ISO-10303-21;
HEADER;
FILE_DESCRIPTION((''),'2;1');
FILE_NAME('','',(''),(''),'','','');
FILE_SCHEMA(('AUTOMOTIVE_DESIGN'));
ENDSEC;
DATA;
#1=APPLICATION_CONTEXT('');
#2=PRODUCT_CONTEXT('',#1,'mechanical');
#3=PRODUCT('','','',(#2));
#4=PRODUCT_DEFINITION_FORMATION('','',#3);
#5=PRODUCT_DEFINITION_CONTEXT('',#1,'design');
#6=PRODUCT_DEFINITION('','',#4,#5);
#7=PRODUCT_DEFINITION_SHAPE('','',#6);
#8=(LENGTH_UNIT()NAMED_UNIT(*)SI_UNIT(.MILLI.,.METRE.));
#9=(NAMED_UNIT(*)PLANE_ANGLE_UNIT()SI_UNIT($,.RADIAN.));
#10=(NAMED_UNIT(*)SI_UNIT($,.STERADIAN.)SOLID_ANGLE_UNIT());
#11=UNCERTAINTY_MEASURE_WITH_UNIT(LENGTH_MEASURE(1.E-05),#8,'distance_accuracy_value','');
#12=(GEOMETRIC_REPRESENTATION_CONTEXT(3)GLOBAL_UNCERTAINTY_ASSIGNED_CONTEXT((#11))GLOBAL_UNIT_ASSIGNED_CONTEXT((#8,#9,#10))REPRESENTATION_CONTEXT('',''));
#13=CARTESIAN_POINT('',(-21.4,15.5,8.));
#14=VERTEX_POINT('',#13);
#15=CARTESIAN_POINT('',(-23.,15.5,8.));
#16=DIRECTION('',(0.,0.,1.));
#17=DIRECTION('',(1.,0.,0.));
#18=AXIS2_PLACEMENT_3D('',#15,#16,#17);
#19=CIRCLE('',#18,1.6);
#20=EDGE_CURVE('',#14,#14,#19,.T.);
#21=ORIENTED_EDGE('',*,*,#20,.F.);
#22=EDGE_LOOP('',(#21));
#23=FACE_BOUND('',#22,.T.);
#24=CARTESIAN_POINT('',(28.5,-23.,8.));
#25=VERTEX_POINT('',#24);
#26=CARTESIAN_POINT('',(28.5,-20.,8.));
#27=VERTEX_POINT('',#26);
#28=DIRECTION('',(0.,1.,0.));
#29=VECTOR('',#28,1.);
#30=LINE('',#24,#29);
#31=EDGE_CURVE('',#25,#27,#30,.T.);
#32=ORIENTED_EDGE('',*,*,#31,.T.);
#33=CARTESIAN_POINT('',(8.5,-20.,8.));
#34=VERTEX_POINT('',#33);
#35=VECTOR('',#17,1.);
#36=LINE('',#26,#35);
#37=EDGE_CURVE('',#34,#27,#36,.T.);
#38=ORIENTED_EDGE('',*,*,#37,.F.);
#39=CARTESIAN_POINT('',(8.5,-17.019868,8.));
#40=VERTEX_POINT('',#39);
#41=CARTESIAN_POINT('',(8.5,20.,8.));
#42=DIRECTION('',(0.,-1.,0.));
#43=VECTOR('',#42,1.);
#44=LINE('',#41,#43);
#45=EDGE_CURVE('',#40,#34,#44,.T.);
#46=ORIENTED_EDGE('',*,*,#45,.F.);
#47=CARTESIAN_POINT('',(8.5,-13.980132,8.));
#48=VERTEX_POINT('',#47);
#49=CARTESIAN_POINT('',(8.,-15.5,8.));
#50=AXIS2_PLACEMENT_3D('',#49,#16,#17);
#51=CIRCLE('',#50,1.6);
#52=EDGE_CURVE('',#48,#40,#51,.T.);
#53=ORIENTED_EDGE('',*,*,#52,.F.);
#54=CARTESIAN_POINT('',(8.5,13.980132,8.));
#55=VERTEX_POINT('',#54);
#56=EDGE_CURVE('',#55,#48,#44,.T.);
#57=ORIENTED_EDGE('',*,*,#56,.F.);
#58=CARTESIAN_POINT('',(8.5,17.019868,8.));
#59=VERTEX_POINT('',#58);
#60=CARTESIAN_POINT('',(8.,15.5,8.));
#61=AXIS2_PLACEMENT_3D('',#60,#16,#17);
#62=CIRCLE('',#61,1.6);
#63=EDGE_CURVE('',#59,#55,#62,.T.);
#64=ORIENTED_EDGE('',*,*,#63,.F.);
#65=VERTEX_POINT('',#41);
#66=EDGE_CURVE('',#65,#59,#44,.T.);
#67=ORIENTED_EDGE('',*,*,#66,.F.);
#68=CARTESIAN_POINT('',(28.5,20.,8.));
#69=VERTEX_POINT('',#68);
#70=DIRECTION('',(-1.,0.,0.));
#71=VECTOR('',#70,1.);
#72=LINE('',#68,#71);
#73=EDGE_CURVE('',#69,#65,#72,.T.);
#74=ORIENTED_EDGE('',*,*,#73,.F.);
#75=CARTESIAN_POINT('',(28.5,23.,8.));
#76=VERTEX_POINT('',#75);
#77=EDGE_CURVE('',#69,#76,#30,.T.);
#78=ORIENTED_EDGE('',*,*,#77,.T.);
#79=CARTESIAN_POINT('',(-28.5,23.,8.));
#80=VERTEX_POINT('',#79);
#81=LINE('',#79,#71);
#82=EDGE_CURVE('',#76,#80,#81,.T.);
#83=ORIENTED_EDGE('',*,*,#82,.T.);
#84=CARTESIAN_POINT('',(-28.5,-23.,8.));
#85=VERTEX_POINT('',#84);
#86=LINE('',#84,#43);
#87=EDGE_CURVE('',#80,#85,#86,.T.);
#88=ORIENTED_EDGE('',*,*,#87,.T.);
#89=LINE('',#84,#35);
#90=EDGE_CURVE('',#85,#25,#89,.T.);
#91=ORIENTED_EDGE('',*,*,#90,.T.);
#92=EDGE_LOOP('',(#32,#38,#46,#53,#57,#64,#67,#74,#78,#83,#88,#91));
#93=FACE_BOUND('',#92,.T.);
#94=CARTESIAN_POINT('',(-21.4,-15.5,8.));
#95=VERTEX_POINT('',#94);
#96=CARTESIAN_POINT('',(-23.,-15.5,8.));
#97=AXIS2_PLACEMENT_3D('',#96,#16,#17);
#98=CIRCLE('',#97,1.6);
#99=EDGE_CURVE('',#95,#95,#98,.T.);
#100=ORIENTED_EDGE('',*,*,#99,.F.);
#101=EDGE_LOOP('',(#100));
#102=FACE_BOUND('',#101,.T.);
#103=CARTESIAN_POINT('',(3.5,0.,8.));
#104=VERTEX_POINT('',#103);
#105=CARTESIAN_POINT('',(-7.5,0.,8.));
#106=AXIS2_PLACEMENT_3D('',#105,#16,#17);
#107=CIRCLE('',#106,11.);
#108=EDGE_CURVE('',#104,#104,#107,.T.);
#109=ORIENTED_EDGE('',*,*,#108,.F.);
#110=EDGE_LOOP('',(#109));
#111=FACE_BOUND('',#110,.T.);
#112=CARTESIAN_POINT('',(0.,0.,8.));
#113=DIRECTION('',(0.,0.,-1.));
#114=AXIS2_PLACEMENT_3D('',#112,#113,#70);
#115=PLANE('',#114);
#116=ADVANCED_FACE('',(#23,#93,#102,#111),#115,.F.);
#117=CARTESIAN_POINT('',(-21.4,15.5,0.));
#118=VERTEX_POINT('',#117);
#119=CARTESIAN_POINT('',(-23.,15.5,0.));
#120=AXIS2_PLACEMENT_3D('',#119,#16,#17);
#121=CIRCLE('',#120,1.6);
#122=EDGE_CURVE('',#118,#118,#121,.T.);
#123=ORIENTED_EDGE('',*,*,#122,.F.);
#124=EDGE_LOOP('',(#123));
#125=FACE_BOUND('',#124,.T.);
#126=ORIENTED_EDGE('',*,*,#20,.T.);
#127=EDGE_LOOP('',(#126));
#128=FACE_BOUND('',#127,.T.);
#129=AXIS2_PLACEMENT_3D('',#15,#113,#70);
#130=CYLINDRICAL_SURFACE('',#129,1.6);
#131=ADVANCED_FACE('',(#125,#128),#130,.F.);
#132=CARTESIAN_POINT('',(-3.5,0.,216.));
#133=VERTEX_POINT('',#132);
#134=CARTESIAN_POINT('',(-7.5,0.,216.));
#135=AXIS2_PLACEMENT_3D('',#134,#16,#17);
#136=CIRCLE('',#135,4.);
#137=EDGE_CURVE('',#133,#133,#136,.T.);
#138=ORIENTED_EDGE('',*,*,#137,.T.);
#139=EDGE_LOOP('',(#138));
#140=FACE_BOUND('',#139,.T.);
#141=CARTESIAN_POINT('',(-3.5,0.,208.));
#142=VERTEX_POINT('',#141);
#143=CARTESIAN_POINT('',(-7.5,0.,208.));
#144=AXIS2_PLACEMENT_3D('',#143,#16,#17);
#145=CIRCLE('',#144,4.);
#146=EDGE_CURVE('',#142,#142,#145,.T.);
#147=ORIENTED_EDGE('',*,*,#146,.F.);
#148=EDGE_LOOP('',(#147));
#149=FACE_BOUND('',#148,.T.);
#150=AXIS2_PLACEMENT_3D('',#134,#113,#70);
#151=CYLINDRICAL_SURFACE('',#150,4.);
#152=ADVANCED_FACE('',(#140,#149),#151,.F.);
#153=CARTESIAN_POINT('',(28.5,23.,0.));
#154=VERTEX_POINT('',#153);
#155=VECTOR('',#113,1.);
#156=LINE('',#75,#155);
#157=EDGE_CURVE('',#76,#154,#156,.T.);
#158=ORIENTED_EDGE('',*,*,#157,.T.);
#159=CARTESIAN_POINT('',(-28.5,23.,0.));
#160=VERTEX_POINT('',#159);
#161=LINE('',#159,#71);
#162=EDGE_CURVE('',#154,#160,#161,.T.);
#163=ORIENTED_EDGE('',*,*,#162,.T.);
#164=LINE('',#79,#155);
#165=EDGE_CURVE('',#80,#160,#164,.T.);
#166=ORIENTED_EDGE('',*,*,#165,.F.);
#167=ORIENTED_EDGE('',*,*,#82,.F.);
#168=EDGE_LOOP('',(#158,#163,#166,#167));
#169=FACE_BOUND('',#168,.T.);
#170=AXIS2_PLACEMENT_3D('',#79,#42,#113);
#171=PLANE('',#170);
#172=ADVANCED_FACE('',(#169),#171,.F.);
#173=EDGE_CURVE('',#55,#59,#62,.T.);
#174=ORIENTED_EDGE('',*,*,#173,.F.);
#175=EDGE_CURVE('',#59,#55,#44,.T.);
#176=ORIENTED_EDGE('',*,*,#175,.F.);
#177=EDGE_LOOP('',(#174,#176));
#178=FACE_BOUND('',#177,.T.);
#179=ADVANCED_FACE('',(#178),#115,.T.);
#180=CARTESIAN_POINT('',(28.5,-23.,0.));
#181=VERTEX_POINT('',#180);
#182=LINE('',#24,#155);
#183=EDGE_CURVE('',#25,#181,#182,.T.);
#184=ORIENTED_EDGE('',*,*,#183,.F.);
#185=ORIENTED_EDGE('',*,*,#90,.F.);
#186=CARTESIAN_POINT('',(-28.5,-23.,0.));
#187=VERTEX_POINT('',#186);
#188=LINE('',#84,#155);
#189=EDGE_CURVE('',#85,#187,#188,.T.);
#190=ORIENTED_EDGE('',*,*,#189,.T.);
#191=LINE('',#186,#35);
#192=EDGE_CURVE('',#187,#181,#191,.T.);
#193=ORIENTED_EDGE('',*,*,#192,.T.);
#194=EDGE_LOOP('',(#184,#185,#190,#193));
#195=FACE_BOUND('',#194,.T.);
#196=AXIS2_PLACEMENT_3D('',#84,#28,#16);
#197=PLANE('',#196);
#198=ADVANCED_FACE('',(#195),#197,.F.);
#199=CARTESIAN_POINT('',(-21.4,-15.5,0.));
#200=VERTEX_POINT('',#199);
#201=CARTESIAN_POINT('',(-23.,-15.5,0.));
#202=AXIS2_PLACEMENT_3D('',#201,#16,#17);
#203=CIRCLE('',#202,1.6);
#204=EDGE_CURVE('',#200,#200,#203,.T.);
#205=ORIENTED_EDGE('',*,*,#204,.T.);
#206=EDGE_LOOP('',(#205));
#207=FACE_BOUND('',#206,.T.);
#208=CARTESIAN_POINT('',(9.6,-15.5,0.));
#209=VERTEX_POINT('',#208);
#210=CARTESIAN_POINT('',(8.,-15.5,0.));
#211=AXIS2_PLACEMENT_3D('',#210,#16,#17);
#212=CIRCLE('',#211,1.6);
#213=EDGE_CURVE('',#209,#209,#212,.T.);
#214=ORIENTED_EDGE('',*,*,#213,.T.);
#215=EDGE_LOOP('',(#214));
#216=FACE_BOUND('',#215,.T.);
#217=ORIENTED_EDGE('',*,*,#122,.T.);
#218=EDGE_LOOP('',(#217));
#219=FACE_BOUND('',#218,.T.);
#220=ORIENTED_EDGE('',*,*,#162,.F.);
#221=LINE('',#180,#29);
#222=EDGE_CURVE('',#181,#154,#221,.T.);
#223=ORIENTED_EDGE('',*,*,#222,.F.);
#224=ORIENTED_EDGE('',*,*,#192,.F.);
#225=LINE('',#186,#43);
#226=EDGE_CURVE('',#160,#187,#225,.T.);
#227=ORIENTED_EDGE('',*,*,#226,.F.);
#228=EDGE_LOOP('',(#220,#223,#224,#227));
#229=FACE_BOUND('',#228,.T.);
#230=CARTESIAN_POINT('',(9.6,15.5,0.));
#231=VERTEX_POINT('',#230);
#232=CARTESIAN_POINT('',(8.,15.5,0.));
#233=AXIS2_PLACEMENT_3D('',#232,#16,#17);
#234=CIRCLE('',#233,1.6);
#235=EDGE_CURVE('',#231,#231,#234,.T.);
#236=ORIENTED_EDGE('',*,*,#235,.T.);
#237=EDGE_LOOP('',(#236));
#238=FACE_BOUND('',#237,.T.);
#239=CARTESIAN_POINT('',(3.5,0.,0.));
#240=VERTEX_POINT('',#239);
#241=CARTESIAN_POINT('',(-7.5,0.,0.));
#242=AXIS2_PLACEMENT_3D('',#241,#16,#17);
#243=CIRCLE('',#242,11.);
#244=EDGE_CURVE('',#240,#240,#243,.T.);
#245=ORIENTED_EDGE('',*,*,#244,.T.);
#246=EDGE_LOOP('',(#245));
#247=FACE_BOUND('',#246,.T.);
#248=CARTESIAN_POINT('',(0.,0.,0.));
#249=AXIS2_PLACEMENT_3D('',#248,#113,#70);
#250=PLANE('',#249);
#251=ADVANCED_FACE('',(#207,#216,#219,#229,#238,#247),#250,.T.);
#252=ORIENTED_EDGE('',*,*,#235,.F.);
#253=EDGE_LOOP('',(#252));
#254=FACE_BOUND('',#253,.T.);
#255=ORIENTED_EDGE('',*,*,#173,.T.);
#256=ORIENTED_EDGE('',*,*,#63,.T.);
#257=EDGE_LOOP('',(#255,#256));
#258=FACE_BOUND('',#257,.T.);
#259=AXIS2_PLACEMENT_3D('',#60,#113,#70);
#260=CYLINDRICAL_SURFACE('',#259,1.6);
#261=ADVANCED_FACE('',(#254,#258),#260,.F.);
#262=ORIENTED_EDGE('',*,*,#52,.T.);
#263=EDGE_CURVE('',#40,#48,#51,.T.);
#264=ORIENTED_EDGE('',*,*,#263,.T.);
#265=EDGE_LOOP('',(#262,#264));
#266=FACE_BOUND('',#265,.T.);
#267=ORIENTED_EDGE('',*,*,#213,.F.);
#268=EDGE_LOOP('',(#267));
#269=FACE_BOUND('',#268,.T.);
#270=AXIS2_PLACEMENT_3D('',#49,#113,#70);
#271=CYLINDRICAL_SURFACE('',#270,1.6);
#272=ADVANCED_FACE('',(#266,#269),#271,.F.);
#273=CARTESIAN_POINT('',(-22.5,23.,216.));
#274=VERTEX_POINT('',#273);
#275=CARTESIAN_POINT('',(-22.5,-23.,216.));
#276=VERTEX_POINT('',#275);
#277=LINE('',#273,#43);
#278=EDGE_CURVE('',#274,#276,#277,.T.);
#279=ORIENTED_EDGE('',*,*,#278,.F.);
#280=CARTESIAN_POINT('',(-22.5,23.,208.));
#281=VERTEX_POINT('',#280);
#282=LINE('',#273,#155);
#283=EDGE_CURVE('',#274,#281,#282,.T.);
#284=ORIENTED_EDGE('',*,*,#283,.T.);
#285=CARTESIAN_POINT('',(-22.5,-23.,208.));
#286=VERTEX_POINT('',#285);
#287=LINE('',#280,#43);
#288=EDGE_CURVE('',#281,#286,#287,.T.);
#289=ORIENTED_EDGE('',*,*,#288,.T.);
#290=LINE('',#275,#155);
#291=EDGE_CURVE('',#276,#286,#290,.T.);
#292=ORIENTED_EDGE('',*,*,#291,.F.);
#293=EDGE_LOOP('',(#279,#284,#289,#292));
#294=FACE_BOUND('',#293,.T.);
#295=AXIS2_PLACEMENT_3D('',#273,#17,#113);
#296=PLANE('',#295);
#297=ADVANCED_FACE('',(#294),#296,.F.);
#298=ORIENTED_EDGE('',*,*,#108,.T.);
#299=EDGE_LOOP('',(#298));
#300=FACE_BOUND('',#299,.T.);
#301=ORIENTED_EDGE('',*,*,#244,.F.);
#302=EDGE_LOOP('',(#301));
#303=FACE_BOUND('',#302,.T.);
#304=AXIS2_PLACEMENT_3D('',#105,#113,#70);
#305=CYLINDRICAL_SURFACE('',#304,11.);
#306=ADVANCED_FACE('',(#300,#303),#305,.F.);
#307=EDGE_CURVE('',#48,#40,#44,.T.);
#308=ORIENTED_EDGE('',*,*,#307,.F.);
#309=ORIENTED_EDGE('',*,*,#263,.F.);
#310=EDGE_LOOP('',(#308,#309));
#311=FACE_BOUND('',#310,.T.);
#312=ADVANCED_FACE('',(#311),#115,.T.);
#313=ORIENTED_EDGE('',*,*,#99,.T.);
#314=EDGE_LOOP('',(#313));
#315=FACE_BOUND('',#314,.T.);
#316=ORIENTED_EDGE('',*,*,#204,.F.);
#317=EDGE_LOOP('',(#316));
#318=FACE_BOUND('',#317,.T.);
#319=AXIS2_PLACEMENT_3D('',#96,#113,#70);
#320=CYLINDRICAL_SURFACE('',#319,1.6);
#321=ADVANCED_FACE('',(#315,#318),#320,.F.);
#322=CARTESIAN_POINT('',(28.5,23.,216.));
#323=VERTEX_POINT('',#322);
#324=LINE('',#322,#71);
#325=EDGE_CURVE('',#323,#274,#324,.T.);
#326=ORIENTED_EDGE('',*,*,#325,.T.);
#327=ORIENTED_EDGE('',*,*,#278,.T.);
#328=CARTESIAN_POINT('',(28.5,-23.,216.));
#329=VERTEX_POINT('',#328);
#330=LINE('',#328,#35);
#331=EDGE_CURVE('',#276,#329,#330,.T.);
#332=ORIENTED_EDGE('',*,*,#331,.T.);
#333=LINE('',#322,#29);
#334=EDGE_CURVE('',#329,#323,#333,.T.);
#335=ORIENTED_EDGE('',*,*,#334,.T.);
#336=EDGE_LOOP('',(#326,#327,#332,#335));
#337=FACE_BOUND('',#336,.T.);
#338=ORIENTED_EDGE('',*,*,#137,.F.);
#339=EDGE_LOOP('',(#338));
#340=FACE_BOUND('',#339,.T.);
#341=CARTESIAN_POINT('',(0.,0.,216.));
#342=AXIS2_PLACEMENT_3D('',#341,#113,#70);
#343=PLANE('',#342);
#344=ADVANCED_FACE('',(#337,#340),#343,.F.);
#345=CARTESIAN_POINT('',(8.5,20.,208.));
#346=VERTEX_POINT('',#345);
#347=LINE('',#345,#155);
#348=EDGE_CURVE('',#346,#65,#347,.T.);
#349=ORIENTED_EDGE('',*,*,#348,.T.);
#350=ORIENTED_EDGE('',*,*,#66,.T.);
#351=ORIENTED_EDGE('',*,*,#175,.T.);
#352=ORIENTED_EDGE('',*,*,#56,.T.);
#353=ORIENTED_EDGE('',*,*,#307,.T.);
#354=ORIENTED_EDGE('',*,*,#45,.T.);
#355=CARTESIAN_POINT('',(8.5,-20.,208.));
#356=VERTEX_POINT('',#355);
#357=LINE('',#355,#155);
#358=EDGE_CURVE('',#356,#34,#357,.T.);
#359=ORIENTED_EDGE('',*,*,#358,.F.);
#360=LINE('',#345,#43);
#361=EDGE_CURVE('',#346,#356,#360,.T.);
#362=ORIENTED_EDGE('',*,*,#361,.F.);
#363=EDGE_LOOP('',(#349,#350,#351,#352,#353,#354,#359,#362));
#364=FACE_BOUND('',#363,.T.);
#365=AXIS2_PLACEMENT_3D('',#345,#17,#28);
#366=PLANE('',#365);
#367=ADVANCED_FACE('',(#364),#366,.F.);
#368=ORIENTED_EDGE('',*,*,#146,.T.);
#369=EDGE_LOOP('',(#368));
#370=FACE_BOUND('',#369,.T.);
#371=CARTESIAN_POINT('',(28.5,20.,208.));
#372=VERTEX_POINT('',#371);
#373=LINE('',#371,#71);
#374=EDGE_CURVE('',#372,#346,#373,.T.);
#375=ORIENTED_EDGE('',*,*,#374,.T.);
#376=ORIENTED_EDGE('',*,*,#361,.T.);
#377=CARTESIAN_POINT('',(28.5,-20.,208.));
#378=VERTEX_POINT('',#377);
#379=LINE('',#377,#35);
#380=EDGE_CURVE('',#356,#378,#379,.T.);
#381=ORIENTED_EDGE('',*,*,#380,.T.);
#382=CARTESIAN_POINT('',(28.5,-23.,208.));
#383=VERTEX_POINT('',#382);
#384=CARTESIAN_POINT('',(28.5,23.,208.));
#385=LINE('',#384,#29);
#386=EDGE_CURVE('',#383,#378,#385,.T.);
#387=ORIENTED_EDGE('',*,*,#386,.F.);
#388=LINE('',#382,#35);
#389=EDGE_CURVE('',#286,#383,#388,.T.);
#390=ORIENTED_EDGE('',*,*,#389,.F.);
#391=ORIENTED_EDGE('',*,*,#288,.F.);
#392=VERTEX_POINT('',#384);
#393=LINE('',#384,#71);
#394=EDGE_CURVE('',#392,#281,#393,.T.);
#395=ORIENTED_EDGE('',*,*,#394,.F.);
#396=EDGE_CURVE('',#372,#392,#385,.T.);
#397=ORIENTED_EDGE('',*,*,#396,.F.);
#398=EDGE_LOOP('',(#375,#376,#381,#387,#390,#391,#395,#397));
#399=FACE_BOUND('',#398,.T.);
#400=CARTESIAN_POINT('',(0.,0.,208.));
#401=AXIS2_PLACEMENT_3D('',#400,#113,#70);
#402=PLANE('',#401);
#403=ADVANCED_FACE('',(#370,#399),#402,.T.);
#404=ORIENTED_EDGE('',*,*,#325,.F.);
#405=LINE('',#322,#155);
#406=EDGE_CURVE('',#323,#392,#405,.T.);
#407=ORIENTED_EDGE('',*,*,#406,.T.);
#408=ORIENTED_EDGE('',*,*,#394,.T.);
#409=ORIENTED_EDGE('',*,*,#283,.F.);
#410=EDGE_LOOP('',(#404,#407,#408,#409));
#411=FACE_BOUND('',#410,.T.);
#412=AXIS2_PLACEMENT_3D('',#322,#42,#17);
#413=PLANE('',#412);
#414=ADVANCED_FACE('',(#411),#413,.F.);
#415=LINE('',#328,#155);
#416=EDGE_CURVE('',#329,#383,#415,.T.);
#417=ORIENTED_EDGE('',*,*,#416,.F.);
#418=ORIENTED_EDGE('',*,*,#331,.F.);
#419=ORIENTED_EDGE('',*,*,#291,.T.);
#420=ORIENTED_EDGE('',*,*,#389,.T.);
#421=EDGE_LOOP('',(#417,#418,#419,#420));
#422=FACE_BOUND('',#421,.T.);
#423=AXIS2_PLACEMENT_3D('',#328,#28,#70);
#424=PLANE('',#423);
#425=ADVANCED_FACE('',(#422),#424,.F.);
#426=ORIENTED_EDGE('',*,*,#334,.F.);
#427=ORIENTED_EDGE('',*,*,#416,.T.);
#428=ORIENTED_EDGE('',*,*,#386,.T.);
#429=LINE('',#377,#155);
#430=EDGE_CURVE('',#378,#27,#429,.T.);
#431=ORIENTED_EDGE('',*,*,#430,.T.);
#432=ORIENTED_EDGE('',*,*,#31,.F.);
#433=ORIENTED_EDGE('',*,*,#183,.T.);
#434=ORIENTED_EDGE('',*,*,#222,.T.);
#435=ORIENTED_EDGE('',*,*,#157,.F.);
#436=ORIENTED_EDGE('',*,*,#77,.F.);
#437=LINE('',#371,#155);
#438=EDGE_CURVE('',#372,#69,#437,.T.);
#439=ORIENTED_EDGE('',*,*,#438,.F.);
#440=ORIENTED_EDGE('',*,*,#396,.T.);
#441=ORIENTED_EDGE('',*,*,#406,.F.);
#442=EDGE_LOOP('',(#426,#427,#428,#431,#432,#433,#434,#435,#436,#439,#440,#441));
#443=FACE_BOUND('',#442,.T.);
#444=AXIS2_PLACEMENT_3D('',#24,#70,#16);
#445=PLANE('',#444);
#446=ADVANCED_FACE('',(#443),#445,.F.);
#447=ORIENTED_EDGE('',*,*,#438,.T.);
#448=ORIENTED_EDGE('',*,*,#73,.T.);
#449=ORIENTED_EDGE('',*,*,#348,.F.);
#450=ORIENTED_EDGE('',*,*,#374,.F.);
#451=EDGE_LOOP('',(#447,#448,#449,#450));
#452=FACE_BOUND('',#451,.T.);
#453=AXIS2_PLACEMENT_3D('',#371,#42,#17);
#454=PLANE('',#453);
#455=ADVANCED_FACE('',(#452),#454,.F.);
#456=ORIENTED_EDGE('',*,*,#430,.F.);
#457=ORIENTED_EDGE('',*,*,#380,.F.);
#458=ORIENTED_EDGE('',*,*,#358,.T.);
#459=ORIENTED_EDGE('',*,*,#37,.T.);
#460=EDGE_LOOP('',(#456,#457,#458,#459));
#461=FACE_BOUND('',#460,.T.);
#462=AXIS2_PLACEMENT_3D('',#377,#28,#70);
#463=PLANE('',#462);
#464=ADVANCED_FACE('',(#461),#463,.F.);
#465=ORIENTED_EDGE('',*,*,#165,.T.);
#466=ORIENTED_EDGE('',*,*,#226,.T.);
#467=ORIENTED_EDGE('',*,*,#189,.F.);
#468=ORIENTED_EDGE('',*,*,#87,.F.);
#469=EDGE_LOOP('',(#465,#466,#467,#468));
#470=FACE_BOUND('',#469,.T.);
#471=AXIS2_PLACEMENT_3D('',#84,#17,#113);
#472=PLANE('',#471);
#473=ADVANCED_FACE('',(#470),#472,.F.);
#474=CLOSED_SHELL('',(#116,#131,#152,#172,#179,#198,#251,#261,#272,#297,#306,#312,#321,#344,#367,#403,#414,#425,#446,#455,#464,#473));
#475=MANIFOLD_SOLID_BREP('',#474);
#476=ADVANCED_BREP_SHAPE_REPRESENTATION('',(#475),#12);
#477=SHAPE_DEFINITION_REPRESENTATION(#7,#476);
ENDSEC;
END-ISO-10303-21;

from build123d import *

# Parameters (mm, degrees)
SKETCH_1_W      = 57
SKETCH_1_H      = 46
SKETCH_1_R      = 11
SKETCH_1_R_2    = 1.6
EXTRUDE_1_DEPTH = 8
SKETCH_2_W      = 20
SKETCH_2_H      = 40
EXTRUDE_2_DEPTH = 200
SKETCH_3_W      = 51
SKETCH_3_H      = 46
SKETCH_3_R      = 4
EXTRUDE_3_DEPTH = 8


with BuildPart() as part:
    # 草图1 → 凸台-拉伸1 (new body)
    with BuildSketch(Plane.XY):
        Rectangle(SKETCH_1_W, SKETCH_1_H)
        with Locations((-7.5, 0)):
            Circle(SKETCH_1_R, mode=Mode.SUBTRACT)
        with Locations((-23, 15.5)):
            Circle(SKETCH_1_R_2, mode=Mode.SUBTRACT)
        with Locations((8, 15.5)):
            Circle(SKETCH_1_R_2, mode=Mode.SUBTRACT)
        with Locations((8, -15.5)):
            Circle(SKETCH_1_R_2, mode=Mode.SUBTRACT)
        with Locations((-23, -15.5)):
            Circle(SKETCH_1_R_2, mode=Mode.SUBTRACT)
    extrude(amount=EXTRUDE_1_DEPTH)

    # 草图2 → 凸台-拉伸2 (add)
    with BuildSketch(Plane.XY.offset(8)):
        with Locations((18.5, 0)):
            Rectangle(SKETCH_2_W, SKETCH_2_H)
    extrude(amount=EXTRUDE_2_DEPTH)

    # 草图3 → 凸台-拉伸3 (add)
    with BuildSketch(Plane.XY.offset(208)):
        with Locations((3, 0)):
            Rectangle(SKETCH_3_W, SKETCH_3_H)
        with Locations((-7.5, 0)):
            Circle(SKETCH_3_R, mode=Mode.SUBTRACT)
    extrude(amount=EXTRUDE_3_DEPTH)


solid = part.part
